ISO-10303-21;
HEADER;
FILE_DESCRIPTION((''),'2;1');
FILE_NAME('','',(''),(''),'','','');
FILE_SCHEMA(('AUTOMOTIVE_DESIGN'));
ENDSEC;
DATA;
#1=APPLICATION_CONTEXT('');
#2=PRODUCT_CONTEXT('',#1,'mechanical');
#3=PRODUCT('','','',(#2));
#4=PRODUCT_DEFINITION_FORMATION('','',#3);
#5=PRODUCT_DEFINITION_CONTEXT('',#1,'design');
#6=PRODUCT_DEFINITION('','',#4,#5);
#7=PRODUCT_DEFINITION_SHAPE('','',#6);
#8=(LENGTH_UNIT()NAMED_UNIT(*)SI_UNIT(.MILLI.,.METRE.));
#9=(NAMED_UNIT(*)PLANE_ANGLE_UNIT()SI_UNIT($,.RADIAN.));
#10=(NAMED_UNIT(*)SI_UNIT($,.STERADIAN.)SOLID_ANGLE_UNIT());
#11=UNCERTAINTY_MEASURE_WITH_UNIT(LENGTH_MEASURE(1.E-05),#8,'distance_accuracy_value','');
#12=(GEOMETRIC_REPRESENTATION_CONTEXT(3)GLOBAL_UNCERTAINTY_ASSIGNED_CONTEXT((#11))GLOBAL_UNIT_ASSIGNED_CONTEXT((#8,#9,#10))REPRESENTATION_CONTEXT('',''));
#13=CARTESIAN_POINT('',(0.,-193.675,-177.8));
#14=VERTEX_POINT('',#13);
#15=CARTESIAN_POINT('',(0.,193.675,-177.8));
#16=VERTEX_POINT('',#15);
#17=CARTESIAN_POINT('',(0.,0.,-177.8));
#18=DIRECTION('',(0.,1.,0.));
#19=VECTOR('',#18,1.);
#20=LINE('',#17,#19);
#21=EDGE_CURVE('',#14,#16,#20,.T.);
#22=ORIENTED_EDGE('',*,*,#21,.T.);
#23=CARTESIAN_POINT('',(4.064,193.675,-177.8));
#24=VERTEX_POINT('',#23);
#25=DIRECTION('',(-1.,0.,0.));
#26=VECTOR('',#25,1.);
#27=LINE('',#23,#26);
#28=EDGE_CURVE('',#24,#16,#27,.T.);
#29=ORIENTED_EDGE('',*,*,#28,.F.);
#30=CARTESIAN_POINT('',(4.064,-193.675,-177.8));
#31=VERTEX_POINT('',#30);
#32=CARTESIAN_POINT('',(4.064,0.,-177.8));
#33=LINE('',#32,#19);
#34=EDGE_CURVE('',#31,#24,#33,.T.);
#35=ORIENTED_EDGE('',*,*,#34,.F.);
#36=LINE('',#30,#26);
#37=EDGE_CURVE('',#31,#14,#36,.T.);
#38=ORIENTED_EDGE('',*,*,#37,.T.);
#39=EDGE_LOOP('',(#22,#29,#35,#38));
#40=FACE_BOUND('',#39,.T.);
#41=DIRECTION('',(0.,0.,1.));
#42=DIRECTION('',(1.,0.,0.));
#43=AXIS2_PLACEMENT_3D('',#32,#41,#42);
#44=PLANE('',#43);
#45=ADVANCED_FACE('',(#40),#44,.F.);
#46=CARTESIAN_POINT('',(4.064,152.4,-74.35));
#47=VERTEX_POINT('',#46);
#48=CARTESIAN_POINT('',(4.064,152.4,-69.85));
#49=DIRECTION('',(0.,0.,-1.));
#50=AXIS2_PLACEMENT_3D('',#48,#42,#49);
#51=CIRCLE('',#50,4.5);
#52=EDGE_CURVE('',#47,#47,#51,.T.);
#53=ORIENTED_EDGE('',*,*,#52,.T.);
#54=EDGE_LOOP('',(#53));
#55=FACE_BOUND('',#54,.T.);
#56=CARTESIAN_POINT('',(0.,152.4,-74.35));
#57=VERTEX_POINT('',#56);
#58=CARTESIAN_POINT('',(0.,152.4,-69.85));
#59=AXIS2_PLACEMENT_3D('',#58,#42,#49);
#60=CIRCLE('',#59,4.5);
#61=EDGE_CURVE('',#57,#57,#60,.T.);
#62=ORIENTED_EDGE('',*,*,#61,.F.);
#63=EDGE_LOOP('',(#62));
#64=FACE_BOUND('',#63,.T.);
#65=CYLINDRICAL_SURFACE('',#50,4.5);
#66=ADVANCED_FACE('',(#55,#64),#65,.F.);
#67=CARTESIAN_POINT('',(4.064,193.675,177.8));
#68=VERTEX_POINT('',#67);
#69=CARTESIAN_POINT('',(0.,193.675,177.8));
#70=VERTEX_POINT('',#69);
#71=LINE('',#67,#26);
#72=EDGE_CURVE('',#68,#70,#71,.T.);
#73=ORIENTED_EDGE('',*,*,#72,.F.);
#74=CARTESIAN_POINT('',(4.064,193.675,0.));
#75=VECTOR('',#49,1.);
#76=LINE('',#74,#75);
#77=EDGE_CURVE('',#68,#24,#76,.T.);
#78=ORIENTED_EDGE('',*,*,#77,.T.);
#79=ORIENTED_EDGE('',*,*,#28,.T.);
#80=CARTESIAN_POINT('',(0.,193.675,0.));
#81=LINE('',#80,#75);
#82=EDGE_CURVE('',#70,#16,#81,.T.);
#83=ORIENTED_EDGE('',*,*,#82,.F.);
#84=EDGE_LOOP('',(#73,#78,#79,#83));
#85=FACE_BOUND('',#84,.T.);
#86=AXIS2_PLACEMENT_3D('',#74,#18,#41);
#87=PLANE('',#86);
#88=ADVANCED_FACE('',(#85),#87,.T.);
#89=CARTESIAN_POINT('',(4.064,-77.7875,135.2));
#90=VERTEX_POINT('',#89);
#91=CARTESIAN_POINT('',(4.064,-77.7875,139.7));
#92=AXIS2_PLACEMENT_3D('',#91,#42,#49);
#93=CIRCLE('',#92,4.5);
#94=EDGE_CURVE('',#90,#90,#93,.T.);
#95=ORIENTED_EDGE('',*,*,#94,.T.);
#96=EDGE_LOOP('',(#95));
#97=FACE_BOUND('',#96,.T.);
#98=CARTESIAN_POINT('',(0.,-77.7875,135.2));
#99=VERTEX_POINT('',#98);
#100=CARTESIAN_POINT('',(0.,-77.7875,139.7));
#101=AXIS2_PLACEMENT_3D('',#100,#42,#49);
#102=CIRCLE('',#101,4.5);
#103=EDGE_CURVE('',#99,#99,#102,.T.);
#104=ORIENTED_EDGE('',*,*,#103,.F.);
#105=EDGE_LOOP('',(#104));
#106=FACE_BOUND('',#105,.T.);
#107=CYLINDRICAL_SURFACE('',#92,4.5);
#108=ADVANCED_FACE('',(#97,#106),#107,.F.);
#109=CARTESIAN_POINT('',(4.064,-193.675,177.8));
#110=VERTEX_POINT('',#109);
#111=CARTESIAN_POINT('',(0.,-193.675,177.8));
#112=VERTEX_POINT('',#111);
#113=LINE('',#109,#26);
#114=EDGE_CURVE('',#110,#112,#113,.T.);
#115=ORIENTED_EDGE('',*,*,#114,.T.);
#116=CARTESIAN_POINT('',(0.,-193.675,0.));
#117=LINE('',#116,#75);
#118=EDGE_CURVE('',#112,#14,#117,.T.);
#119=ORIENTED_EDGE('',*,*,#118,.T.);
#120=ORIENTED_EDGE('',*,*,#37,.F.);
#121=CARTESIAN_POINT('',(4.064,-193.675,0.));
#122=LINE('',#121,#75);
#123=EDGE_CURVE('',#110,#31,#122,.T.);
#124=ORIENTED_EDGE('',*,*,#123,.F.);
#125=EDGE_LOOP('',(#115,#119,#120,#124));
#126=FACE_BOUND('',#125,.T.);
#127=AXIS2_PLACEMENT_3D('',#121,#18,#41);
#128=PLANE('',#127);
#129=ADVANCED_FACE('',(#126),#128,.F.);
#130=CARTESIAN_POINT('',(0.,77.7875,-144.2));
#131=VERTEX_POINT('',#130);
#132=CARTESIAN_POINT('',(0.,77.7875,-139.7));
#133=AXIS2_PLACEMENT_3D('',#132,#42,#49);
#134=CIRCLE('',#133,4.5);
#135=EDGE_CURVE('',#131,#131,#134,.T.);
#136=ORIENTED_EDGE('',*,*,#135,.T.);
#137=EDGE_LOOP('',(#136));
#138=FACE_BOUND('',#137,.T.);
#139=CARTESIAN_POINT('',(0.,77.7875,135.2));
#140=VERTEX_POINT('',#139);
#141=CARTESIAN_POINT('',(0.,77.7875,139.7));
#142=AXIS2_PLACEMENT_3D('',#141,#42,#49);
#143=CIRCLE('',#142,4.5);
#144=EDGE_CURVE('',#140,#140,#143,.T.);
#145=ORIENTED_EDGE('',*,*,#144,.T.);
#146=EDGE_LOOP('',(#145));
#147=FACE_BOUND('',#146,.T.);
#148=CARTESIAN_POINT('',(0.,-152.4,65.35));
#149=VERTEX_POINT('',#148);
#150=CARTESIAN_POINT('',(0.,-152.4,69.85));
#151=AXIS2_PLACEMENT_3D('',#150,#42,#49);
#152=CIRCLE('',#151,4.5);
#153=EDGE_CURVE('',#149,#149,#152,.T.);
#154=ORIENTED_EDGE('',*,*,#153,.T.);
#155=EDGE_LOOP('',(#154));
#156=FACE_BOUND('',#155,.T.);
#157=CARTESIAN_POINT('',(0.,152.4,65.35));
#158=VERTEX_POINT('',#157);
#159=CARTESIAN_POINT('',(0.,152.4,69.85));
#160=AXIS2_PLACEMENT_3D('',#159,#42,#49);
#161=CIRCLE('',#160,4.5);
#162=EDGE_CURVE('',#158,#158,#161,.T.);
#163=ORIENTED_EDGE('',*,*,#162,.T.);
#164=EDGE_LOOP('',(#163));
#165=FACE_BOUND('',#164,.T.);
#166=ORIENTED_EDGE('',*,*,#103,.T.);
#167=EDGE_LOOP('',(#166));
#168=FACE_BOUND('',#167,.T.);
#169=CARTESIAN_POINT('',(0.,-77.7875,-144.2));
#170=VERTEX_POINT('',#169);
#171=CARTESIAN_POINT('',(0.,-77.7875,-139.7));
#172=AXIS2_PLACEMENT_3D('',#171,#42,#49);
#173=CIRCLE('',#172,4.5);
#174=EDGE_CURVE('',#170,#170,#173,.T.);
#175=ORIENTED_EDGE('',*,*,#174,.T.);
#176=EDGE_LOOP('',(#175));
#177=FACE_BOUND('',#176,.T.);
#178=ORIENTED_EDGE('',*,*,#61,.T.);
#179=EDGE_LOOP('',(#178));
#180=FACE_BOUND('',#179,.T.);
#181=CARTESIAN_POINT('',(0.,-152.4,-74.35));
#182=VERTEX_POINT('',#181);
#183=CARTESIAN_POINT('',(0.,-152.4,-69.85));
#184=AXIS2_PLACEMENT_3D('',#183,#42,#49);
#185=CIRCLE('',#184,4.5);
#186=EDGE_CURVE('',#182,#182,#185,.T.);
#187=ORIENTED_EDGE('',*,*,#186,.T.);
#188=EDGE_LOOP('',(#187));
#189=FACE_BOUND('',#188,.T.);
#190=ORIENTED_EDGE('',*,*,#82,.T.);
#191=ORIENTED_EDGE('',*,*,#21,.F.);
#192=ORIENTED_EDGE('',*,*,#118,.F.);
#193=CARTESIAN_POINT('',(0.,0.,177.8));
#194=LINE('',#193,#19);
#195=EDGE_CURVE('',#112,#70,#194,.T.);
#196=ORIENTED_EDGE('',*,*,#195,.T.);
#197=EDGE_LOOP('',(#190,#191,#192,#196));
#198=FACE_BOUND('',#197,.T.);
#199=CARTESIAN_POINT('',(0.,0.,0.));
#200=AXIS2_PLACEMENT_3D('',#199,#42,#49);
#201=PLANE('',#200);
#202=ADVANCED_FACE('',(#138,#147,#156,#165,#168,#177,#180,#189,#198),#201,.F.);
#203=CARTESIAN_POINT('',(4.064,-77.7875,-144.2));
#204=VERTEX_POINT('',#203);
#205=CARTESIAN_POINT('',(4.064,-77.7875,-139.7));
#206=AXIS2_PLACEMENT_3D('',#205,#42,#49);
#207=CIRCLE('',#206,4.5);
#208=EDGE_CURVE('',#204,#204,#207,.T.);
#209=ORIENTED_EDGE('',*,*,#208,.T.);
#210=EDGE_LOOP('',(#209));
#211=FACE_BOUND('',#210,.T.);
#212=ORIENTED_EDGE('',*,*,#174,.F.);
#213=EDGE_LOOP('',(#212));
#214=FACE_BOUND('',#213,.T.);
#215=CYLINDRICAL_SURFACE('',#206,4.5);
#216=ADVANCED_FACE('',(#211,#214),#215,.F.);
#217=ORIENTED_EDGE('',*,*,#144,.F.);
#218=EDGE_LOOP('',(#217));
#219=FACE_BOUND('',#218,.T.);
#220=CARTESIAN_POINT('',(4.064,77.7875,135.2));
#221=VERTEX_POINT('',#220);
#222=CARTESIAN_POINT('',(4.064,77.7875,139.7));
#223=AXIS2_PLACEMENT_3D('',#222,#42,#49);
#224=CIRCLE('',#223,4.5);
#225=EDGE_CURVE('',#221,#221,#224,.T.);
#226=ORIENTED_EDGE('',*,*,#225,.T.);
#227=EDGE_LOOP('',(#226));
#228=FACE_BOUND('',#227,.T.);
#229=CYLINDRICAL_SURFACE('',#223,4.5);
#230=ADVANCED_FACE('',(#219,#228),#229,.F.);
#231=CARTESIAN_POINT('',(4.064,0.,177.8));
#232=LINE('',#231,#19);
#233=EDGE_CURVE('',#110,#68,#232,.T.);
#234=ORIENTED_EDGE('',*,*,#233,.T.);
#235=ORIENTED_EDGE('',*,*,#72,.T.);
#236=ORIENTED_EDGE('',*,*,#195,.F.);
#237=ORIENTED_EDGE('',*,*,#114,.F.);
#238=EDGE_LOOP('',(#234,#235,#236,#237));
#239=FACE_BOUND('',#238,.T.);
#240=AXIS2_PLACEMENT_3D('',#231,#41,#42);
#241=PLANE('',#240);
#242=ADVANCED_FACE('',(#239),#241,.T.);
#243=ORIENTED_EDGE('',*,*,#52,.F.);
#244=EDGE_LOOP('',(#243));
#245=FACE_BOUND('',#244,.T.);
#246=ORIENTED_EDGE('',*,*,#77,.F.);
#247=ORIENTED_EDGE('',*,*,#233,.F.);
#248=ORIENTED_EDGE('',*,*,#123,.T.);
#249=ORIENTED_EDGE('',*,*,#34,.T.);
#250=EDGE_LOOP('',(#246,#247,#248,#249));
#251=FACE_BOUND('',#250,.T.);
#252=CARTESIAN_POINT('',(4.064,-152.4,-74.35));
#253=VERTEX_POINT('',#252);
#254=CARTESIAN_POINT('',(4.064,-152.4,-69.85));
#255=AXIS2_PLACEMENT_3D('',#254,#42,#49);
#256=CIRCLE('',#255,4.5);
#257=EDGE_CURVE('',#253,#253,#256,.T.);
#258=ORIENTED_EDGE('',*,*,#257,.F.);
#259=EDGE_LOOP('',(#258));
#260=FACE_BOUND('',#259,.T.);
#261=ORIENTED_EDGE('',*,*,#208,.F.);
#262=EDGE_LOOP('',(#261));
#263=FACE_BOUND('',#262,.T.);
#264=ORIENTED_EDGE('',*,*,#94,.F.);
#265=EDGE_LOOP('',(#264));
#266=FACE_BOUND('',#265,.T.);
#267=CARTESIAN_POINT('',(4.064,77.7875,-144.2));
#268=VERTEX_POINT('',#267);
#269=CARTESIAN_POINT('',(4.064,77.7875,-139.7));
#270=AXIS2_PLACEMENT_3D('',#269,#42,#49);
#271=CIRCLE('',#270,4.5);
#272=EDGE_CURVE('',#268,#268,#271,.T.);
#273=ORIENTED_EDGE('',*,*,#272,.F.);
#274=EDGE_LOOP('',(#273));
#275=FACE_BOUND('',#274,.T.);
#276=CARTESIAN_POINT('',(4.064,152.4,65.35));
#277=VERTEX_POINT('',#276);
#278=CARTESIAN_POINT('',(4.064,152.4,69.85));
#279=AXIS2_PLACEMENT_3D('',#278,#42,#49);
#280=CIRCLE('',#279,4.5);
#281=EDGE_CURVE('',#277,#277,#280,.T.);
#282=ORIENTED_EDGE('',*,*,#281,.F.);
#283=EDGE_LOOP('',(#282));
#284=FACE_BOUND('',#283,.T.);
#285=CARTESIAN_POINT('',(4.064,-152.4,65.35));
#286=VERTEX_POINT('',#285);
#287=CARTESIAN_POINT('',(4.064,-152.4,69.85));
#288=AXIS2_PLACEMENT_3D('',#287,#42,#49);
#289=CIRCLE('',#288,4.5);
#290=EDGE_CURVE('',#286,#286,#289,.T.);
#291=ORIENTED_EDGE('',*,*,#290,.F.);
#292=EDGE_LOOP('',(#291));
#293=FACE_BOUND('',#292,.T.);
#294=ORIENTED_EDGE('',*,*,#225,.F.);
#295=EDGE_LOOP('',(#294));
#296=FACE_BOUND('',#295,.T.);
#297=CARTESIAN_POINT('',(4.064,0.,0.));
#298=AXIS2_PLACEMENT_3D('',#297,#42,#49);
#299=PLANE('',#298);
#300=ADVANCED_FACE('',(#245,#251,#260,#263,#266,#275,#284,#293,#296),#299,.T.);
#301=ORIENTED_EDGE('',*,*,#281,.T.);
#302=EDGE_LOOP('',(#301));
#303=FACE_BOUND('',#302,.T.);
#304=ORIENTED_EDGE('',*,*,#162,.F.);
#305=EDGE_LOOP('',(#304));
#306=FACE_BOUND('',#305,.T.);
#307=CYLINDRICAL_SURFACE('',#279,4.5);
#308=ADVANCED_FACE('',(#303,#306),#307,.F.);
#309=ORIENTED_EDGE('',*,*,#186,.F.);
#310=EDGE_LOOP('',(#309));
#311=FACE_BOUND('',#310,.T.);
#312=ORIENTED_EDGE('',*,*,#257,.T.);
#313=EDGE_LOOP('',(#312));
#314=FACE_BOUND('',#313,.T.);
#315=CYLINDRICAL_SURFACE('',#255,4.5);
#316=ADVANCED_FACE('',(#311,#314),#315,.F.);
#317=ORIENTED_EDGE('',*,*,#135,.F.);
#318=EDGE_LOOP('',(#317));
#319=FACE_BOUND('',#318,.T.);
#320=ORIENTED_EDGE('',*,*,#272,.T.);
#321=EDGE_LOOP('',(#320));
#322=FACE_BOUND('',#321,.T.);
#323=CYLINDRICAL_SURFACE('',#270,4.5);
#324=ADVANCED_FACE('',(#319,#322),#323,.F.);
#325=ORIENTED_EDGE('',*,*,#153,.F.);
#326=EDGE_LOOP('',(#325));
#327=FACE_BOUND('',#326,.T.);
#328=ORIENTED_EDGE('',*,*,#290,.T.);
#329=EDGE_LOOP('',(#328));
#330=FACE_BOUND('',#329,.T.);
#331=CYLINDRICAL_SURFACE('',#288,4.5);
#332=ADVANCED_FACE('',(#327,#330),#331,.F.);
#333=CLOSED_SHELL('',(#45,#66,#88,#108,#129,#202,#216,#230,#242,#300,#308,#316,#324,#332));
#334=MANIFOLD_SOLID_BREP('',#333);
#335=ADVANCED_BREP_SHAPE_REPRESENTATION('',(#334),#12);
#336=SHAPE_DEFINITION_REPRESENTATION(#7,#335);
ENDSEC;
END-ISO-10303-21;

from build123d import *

# Parameters (mm, degrees)
SKETCH1_W            = 355.6
SKETCH1_H            = 387.35
SKETCH1_R            = 4.0005
BOSS_EXTRUDE1_DEPTH  = 4.064
M8_CLEARANCE_HOLE1_D = 9


with BuildPart() as part:
    # Sketch1 → Boss-Extrude1 (new body)
    # profile 1 of 9: a face of its own
    with BuildSketch(Plane(origin=(0, 0, 0), x_dir=(0, 0, -1), z_dir=(1, 0, 0))):
        Rectangle(SKETCH1_W, SKETCH1_H)
        with Locations((139.7, 77.7875)):
            Circle(SKETCH1_R, mode=Mode.SUBTRACT)
        with Locations((69.85, 152.4)):
            Circle(SKETCH1_R, mode=Mode.SUBTRACT)
        with Locations((-139.7, 77.7875)):
            Circle(SKETCH1_R, mode=Mode.SUBTRACT)
        with Locations((-139.7, -77.7875)):
            Circle(SKETCH1_R, mode=Mode.SUBTRACT)
        with Locations((-69.85, -152.4)):
            Circle(SKETCH1_R, mode=Mode.SUBTRACT)
        with Locations((69.85, -152.4)):
            Circle(SKETCH1_R, mode=Mode.SUBTRACT)
        with Locations((-69.85, 152.4)):
            Circle(SKETCH1_R, mode=Mode.SUBTRACT)
        with Locations((139.7, -77.7875)):
            Circle(SKETCH1_R, mode=Mode.SUBTRACT)
    # profile 2 of 9: a face of its own
    with BuildSketch(Plane(origin=(0, 0, 0), x_dir=(0, 0, -1), z_dir=(1, 0, 0))):
        with Locations((-69.85, -152.4)):
            Circle(SKETCH1_R)
    # profile 3 of 9: a face of its own
    with BuildSketch(Plane(origin=(0, 0, 0), x_dir=(0, 0, -1), z_dir=(1, 0, 0))):
        with Locations((69.85, -152.4)):
            Circle(SKETCH1_R)
    # profile 4 of 9: a face of its own
    with BuildSketch(Plane(origin=(0, 0, 0), x_dir=(0, 0, -1), z_dir=(1, 0, 0))):
        with Locations((139.7, -77.7875)):
            Circle(SKETCH1_R)
    # profile 5 of 9: a face of its own
    with BuildSketch(Plane(origin=(0, 0, 0), x_dir=(0, 0, -1), z_dir=(1, 0, 0))):
        with Locations((139.7, 77.7875)):
            Circle(SKETCH1_R)
    # profile 6 of 9: a face of its own
    with BuildSketch(Plane(origin=(0, 0, 0), x_dir=(0, 0, -1), z_dir=(1, 0, 0))):
        with Locations((69.85, 152.4)):
            Circle(SKETCH1_R)
    # profile 7 of 9: a face of its own
    with BuildSketch(Plane(origin=(0, 0, 0), x_dir=(0, 0, -1), z_dir=(1, 0, 0))):
        with Locations((-69.85, 152.4)):
            Circle(SKETCH1_R)
    # profile 8 of 9: a face of its own
    with BuildSketch(Plane(origin=(0, 0, 0), x_dir=(0, 0, -1), z_dir=(1, 0, 0))):
        with Locations((-139.7, 77.7875)):
            Circle(SKETCH1_R)
    # profile 9 of 9: a face of its own
    with BuildSketch(Plane(origin=(0, 0, 0), x_dir=(0, 0, -1), z_dir=(1, 0, 0))):
        with Locations((-139.7, -77.7875)):
            Circle(SKETCH1_R)
    extrude(amount=BOSS_EXTRUDE1_DEPTH)

    # M8 Clearance Hole1 (through all)
    with Locations(Plane(origin=(4.064, 0, 0), x_dir=(0, 0, -1), z_dir=(1, 0, 0))):
        with Locations((-139.7, 77.7875), (-69.85, 152.4), (69.85, 152.4), (139.7, 77.7875), (139.7, -77.7875), (69.85, -152.4), (-69.85, -152.4), (-139.7, -77.7875)):
            Hole(M8_CLEARANCE_HOLE1_D / 2)


solid = part.part
